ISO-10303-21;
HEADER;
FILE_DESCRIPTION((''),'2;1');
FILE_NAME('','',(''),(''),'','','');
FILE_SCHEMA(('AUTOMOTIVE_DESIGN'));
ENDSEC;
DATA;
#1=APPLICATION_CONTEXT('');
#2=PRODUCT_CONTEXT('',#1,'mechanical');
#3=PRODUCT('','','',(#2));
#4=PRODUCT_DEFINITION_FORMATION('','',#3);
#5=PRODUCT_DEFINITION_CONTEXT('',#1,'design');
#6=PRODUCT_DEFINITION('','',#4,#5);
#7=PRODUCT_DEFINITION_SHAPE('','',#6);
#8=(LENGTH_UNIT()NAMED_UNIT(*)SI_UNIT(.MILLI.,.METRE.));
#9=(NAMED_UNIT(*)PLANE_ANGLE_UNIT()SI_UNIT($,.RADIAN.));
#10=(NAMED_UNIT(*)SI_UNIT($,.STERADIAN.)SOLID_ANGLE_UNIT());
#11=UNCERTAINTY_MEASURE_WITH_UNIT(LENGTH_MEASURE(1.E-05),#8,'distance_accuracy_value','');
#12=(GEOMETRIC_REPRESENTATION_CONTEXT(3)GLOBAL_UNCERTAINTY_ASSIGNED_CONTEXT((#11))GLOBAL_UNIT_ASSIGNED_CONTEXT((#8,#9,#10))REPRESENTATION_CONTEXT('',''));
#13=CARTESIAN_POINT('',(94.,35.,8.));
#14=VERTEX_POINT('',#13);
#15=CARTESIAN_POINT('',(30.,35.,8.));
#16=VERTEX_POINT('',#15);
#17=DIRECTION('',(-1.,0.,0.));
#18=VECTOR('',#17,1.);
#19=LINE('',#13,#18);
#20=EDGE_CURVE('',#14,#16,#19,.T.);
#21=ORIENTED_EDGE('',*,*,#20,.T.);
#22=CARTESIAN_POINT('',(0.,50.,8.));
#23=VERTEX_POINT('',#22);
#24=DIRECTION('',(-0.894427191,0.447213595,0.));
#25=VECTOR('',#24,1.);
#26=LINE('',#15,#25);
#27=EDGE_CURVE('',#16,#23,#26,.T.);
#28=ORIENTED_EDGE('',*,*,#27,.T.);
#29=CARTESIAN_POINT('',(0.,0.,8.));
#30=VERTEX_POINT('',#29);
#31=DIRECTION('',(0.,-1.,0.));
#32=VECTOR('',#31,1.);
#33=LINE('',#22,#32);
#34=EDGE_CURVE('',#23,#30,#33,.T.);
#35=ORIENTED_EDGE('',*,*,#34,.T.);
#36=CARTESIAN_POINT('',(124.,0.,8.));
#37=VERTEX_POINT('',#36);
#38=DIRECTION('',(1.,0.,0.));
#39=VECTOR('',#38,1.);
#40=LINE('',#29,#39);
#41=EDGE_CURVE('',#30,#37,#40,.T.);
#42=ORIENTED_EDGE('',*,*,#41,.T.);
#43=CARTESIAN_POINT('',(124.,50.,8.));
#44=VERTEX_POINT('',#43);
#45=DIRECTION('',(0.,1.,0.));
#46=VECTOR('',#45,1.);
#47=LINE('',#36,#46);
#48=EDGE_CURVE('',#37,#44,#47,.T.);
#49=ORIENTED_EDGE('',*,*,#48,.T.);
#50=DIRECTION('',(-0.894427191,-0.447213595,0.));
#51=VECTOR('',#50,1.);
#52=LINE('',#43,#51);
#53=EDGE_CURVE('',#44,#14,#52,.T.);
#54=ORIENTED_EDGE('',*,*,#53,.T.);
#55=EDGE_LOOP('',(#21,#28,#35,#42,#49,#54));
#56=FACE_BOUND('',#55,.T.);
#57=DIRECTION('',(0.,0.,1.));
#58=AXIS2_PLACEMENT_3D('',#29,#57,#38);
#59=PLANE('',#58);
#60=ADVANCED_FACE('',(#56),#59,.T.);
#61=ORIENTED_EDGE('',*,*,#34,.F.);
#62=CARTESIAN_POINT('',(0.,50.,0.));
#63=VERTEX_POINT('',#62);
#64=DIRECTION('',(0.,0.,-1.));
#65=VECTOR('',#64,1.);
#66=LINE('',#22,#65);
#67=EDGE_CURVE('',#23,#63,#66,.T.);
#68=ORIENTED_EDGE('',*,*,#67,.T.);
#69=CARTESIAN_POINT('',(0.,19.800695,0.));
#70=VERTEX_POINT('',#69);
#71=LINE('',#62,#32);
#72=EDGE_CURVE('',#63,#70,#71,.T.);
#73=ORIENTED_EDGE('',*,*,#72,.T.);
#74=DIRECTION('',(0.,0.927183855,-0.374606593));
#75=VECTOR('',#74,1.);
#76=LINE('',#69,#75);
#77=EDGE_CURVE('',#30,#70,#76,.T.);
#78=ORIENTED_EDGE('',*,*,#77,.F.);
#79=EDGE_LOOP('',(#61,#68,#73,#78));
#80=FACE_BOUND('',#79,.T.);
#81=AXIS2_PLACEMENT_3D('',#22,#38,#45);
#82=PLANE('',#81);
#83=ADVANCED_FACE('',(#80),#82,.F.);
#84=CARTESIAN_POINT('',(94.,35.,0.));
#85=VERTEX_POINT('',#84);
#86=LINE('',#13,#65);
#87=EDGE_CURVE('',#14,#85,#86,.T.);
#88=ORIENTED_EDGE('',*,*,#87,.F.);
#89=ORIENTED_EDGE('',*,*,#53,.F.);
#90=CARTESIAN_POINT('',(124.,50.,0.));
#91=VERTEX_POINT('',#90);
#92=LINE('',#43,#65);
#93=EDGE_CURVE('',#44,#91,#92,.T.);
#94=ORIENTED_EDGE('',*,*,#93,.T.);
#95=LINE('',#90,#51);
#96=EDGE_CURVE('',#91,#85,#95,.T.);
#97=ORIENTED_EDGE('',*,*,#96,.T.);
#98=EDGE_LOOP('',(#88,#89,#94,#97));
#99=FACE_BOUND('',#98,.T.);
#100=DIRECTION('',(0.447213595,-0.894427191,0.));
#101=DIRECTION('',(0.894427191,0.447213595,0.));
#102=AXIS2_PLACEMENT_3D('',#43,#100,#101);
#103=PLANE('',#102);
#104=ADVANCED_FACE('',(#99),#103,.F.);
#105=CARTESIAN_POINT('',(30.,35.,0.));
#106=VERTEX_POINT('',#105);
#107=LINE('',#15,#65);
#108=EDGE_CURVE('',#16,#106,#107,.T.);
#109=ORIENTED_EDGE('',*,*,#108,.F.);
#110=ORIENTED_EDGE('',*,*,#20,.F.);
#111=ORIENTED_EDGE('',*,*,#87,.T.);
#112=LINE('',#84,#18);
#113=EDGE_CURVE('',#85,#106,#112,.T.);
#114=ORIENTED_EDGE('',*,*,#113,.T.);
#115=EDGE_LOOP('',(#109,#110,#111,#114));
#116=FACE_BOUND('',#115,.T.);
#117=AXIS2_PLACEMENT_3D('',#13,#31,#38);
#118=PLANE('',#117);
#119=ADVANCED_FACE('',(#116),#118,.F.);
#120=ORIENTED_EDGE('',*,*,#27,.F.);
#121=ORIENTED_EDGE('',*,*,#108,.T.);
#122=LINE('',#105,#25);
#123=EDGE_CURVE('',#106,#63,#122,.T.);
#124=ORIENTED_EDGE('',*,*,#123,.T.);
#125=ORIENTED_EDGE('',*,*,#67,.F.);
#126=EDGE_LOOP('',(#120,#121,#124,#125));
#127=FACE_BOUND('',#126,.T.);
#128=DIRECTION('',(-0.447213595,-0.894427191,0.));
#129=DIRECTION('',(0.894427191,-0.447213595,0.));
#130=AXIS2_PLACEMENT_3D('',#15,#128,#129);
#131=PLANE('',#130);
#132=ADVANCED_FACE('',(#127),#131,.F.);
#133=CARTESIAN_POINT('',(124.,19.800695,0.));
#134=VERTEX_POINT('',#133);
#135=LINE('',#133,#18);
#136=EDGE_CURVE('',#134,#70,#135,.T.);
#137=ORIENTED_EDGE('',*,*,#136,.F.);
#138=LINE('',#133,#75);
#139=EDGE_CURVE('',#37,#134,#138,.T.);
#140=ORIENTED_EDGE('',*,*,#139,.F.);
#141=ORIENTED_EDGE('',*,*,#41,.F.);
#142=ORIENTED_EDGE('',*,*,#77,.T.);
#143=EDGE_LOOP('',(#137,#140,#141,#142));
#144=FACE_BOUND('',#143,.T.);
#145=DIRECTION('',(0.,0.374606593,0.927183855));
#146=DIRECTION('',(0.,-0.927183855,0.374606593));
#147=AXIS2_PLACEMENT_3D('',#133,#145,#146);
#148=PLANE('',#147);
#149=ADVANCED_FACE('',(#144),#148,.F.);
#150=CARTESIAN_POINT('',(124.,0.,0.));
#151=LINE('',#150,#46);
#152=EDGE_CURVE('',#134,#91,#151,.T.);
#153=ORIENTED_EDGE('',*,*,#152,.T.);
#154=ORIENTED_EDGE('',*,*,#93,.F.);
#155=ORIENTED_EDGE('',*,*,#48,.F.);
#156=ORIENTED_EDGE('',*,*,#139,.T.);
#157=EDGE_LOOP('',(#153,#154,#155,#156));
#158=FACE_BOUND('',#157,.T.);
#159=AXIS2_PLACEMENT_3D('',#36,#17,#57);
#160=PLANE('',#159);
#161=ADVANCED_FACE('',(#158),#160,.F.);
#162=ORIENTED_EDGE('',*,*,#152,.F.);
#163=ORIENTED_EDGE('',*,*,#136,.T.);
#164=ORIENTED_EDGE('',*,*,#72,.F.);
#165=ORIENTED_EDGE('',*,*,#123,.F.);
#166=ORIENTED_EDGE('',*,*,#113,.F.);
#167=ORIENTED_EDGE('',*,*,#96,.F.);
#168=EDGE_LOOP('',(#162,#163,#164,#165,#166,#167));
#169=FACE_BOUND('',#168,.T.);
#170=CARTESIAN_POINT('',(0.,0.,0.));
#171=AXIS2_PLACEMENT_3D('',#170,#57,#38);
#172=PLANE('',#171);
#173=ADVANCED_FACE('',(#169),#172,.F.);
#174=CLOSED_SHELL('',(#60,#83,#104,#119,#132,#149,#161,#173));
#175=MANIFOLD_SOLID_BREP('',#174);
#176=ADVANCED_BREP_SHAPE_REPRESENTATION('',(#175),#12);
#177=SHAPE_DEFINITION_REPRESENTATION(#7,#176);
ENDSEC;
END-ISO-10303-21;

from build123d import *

# Parameters (mm, degrees)
RESSALTO_EXTRUS_O1_DEPTH = 8
CORTE_EXTRUS_O1_DEPTH    = 134.940285202


with BuildPart() as part:
    # Esboço1 → Ressalto-extrusão1 (new body)
    with BuildSketch(Plane.XY):
        Polygon((0, 0), (124, 0), (124, 50), (94, 35), (30, 35), (0, 50), align=None)
    extrude(amount=RESSALTO_EXTRUS_O1_DEPTH)

    # Esboço2 → Corte-extrusão1 (cut, through all)
    with BuildSketch(Plane.ZY):
        Polygon((8, 0), (0, 0), (0, 19.800694827), align=None)
    extrude(amount=-CORTE_EXTRUS_O1_DEPTH, mode=Mode.SUBTRACT)


solid = part.part
